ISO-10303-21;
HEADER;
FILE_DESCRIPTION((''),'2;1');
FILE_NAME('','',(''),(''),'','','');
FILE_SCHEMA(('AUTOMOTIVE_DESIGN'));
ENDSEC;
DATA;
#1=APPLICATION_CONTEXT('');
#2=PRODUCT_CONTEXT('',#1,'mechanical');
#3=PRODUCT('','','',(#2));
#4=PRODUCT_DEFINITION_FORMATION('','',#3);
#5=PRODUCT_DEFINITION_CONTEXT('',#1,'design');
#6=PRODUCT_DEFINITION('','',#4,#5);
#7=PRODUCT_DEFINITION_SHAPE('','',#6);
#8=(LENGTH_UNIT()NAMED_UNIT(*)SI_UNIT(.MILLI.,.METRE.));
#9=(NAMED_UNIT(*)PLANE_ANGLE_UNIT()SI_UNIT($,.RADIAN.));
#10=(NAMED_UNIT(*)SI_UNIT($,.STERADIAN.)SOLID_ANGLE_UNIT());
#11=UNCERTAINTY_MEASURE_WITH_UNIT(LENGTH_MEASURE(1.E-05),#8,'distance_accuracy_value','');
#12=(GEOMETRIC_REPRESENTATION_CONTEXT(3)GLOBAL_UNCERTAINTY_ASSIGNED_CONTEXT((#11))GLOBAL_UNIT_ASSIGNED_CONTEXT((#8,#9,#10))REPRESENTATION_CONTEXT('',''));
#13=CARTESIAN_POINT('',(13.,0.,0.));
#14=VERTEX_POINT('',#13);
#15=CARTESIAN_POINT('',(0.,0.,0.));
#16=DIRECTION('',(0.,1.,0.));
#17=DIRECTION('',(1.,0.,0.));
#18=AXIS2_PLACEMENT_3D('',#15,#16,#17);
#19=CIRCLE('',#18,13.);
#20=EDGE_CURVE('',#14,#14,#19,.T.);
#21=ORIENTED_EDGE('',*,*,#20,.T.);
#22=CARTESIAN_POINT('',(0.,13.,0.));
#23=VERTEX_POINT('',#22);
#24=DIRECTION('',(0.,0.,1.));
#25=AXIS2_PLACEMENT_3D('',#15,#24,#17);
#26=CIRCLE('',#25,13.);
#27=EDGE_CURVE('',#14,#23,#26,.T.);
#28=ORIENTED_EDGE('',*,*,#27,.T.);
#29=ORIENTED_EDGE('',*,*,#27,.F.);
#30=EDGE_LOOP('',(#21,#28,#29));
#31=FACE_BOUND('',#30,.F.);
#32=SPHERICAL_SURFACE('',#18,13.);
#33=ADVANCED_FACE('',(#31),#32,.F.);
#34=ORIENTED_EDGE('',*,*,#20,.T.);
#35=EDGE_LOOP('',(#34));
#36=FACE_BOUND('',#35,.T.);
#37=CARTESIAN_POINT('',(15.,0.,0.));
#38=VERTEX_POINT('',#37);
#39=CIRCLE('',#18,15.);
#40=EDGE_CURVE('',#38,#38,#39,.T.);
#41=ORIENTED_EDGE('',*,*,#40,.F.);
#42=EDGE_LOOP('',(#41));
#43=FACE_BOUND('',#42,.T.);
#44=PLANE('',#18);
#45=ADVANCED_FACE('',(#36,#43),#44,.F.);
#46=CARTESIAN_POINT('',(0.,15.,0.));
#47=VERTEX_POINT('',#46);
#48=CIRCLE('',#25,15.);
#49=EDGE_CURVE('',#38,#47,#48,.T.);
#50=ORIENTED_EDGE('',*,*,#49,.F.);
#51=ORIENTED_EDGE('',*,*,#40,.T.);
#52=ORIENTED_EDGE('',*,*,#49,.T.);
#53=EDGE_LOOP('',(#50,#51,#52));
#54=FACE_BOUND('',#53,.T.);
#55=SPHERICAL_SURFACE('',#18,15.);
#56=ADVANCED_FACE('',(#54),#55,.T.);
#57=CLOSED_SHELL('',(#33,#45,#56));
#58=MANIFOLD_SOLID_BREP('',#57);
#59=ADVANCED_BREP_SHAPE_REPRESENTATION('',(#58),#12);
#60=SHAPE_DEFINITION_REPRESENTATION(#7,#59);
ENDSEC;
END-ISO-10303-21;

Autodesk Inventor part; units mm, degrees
ref_plane "YZ Plane" through (0, 0, 0) normal (1, 0, 0) x (0, 1, 0)
ref_plane "XZ Plane" through (0, 0, 0) normal (0, 1, 0) x (-1, 0, 0)
ref_plane "XY Plane" through (0, 0, 0) normal (0, 0, 1) x (1, 0, 0)
sketch "Sketch1" plane through (0, 0, 0) normal (0, 0, 1) x (1, 0, 0)
  line L0 (0, 0) -> (0, 15)
  line L1 (0, 0) -> (15, 0)
  arc A0 (15, 0) -> (0, 15) centre (0, 0) ccw
  line L2 (0, -3.6213) -> (0, 21.7279) projected
  dimension "d2" = 15
revolve "Revolution1" add sketch "Sketch1" angle 360 about axis through (0, -10, 0) along (0, 1, 0)
shell "Shell2" thickness 2 removed faces 1 at (4.7094, 0, 0)
properties part number "Ball_Half Sphere 1" material "Nylon 6/6"
